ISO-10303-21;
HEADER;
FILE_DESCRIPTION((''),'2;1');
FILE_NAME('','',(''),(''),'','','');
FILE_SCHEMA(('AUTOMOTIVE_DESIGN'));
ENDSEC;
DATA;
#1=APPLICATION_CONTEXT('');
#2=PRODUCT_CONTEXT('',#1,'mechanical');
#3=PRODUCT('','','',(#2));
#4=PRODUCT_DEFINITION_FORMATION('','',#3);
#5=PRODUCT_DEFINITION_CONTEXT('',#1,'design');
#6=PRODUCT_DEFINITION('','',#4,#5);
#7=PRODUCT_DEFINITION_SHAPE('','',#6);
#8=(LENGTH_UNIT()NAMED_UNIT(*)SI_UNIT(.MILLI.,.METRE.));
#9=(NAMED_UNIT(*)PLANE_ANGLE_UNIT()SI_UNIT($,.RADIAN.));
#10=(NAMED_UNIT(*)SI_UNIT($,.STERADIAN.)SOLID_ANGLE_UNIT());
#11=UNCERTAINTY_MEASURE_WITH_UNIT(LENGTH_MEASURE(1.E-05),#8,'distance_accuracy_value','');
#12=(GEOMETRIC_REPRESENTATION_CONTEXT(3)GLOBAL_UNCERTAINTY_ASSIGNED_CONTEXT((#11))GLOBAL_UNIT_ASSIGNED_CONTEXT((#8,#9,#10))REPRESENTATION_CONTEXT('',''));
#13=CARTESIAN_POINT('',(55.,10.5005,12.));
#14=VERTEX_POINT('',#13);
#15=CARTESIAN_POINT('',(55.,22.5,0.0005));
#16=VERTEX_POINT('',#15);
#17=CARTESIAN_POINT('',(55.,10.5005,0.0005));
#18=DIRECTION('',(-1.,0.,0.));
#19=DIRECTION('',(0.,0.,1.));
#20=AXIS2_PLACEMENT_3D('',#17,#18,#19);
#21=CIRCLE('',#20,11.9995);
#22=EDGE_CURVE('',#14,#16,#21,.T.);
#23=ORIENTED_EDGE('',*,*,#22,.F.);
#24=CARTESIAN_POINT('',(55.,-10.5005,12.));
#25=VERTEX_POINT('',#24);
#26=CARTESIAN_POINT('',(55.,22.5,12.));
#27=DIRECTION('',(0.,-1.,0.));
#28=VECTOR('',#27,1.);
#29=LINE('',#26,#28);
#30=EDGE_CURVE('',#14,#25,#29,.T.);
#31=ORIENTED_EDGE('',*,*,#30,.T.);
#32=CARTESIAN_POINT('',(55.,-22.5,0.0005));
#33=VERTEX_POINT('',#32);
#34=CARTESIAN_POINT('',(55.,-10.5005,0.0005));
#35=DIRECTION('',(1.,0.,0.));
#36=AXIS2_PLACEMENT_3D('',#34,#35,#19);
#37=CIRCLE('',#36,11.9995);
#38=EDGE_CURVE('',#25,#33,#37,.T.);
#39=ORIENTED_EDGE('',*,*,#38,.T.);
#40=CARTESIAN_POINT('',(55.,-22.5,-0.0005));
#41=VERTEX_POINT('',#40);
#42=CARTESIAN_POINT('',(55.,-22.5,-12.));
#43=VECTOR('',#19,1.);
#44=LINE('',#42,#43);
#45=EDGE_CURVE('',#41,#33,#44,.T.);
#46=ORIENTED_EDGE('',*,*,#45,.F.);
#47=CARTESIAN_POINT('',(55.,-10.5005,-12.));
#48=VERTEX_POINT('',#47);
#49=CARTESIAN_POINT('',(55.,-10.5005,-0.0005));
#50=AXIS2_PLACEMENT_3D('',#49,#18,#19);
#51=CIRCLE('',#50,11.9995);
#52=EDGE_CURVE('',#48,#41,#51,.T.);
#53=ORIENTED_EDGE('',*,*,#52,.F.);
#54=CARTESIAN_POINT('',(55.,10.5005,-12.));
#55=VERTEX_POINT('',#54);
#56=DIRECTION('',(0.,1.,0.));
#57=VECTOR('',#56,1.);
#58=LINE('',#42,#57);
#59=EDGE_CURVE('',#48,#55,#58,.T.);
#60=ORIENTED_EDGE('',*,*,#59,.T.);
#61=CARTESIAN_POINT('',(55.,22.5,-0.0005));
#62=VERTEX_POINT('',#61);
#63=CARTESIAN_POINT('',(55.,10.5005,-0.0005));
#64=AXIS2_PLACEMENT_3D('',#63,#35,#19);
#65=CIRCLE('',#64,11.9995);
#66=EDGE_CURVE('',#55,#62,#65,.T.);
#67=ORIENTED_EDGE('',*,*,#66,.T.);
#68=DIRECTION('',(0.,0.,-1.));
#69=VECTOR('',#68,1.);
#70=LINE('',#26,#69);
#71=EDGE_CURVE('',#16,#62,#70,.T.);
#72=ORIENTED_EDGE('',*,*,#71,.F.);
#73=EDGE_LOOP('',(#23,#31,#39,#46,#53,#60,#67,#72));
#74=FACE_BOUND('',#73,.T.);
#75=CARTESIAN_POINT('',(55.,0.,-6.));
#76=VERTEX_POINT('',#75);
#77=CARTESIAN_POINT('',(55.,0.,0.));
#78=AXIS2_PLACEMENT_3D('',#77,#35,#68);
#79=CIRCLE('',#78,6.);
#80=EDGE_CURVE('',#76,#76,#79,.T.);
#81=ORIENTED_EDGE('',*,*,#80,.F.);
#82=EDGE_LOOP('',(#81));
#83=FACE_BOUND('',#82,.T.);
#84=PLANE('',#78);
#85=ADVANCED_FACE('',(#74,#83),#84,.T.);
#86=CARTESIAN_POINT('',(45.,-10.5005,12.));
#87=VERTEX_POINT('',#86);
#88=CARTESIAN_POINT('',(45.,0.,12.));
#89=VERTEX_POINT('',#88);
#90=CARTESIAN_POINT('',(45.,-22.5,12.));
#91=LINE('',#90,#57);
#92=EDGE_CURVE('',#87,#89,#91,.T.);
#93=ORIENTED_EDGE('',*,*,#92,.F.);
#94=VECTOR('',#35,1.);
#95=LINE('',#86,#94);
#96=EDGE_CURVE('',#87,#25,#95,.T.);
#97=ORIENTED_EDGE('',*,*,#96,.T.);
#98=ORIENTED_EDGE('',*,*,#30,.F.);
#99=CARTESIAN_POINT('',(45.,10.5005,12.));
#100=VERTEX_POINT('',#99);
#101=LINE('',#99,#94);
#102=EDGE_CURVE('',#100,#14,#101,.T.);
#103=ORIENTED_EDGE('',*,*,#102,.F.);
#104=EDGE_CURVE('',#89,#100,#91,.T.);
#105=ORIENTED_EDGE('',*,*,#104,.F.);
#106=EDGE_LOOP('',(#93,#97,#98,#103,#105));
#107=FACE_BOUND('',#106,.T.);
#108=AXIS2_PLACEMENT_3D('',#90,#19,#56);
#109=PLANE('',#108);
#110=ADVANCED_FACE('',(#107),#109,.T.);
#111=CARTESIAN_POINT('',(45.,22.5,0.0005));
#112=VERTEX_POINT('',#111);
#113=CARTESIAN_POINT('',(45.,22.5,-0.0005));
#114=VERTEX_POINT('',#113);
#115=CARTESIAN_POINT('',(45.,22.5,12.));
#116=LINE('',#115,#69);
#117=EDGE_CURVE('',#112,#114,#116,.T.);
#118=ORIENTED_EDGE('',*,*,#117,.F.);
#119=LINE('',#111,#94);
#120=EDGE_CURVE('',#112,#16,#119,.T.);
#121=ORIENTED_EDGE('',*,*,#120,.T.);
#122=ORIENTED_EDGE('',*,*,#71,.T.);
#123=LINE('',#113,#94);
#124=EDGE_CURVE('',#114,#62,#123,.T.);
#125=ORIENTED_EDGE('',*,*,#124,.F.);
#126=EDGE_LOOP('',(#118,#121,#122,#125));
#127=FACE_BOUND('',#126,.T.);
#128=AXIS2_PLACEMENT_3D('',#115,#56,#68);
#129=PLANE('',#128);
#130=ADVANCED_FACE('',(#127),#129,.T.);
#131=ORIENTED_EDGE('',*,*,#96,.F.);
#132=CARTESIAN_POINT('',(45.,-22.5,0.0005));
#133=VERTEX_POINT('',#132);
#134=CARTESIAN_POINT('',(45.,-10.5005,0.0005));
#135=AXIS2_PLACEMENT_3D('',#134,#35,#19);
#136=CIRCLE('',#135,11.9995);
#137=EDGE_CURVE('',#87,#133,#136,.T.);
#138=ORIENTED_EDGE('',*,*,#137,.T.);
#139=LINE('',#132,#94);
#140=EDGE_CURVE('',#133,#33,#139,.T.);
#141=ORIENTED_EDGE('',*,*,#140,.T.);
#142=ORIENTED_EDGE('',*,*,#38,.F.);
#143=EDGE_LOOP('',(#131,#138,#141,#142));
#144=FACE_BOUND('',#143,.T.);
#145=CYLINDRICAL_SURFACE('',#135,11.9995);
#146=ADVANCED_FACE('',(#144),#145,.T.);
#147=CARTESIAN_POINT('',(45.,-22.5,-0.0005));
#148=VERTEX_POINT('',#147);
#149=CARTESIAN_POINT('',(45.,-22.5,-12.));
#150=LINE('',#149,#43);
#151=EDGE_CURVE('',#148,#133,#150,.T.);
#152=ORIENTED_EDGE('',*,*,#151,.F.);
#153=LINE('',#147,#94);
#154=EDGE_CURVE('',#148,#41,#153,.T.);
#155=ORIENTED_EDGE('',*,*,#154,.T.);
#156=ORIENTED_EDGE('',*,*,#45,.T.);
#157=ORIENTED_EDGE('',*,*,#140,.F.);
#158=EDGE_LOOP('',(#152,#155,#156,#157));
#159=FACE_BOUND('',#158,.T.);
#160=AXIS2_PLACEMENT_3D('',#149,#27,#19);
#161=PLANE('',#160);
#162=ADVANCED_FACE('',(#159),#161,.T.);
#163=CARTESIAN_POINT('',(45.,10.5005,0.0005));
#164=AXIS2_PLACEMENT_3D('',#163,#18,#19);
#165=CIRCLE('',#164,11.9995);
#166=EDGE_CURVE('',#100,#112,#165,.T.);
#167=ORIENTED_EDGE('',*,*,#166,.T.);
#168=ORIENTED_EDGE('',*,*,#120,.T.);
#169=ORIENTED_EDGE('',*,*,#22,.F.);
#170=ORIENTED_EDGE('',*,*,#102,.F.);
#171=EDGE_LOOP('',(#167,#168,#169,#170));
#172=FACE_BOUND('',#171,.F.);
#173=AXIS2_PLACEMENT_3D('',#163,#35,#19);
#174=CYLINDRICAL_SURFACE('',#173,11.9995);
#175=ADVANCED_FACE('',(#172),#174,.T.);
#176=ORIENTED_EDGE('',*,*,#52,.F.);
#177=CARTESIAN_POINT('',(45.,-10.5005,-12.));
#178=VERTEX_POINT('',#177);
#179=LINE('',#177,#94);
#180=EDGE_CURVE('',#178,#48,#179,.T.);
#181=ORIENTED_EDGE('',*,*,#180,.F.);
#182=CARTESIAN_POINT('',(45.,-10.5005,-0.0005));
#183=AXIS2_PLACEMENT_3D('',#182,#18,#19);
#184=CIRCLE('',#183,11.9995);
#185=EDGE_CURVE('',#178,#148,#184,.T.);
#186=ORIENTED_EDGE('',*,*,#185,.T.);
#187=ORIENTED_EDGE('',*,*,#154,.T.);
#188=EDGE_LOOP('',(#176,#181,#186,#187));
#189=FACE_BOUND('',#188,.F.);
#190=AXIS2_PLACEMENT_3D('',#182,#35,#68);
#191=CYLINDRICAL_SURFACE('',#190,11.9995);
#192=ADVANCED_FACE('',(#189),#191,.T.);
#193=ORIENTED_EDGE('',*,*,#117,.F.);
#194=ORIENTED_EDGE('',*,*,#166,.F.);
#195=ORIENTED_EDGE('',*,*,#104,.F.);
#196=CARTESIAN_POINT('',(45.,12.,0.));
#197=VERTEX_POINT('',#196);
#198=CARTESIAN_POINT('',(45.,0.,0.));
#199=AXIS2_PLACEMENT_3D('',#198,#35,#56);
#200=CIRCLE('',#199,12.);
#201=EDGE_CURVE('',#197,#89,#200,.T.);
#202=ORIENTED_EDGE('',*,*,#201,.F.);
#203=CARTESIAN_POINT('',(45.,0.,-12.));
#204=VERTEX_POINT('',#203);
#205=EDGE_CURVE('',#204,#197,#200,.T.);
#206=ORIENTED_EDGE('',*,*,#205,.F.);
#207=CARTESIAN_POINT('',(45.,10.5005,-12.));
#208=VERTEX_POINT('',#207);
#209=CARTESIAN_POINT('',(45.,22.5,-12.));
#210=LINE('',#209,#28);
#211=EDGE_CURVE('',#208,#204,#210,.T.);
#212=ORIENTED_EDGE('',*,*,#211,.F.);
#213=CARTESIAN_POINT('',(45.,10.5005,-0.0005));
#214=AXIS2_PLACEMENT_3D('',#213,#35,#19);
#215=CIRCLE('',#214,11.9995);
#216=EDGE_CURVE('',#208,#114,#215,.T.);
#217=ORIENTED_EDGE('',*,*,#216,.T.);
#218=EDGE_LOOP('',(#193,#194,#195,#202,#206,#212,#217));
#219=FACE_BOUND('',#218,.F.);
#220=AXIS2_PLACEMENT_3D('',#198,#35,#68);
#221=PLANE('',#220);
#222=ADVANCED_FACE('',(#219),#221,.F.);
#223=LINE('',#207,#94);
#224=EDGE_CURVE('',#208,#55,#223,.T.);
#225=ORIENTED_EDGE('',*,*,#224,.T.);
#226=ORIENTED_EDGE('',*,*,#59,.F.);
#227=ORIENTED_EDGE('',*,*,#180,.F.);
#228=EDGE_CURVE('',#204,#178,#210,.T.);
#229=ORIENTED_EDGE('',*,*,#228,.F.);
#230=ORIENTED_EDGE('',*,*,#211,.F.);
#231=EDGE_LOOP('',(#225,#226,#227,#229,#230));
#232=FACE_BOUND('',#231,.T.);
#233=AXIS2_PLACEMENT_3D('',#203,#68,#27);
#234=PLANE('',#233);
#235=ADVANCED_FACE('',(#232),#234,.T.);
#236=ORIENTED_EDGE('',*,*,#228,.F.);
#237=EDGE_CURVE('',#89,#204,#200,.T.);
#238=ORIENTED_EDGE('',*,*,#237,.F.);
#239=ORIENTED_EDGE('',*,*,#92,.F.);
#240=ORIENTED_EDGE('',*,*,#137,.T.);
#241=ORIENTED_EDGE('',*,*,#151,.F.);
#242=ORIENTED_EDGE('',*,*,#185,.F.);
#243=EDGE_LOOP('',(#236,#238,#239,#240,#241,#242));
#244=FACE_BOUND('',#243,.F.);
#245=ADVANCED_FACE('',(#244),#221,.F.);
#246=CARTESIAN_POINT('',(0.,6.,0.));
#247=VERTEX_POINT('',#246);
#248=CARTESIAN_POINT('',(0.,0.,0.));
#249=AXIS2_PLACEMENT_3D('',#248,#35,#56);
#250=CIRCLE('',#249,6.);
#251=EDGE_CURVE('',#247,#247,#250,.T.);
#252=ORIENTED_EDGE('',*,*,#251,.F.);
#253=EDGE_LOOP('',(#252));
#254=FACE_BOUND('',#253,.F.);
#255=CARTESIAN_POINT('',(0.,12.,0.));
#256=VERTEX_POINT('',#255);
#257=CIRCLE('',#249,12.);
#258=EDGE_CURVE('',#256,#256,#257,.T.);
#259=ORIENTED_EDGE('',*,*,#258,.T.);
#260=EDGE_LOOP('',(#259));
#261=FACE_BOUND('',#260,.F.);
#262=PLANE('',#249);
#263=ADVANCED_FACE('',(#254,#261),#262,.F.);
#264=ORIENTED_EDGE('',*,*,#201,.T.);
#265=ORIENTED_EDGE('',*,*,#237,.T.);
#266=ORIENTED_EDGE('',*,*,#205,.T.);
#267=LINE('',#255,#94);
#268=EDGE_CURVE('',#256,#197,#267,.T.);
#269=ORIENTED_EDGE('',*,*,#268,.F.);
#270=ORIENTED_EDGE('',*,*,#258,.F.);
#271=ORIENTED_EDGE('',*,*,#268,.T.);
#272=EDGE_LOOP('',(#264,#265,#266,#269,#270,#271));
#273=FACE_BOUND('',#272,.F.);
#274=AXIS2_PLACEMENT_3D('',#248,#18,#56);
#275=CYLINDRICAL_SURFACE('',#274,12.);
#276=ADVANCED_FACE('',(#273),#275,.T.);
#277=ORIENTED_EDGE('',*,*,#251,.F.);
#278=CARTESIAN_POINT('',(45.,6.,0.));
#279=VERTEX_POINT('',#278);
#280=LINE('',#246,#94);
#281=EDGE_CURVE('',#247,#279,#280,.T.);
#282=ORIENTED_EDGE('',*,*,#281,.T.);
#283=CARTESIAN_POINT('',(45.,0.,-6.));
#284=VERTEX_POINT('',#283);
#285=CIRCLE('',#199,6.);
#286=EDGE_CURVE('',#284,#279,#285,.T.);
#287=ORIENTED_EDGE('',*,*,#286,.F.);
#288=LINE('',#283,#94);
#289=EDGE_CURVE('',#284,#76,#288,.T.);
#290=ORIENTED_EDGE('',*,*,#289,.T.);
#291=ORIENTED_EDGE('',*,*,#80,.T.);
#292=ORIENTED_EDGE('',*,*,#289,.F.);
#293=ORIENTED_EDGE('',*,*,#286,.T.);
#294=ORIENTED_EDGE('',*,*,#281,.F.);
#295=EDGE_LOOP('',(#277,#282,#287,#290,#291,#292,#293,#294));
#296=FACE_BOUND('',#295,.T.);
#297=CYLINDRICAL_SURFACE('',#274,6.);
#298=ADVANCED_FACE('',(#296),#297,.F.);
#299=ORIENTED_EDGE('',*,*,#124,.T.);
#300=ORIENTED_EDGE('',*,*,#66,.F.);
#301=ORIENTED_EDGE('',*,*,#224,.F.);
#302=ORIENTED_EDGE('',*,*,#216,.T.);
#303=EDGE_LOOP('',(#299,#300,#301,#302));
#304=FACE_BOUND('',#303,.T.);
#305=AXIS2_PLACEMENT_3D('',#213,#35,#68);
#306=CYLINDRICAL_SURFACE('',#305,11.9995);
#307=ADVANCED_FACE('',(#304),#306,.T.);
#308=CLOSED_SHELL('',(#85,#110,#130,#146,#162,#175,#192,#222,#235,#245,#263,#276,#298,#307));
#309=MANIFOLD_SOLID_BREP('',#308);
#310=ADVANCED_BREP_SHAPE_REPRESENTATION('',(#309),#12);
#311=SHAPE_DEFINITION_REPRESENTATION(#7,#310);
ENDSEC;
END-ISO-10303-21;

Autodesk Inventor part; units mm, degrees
ref_plane "YZ Plane" through (0, 0, 0) normal (1, 0, 0) x (0, 1, 0)
ref_plane "XZ Plane" through (0, 0, 0) normal (0, 1, 0) x (-1, 0, 0)
ref_plane "XY Plane" through (0, 0, 0) normal (0, 0, 1) x (1, 0, 0)
sketch "Sketch1" plane through (0, 0, 0) normal (1, 0, 0) x (0, 1, 0)
  circle A0 centre (0, 0) radius 6
  circle A1 centre (0, 0) radius 12
  dimension "d0" = 12
  dimension "d1" = 24
extrude "Extrusion1" add sketch "Sketch1" along normal blind 45
sketch "Sketch2" plane through (45, 0, 0) normal (1, 0, 0) x (0, 0, -1)
  circle A0 centre (0, 0) radius 6 projected
  circle A1 centre (0, 0) radius 12 projected
  line L0 (12, -22.5) -> (-12, -22.5)
  line L1 (-12, -22.5) -> (-12, 22.5)
  line L2 (-12, 22.5) -> (12, 22.5)
  line L3 (12, 22.5) -> (12, -22.5)
  line L4 (0, 0) -> (3.4418, 0)
  point P0 (12, 0)
  dimension "d4" = 45
extrude "Extrusion2" add sketch "Sketch2" along normal blind 10
fillet "Fillet1" radius 12 4 edges at (50, -22.5, -12) (50, -22.5, 12) (50, 22.5, -12) (50, 22.5, 12)
thread "Thread1" size "M12x1.75" class "6H" standard "ANSI Metric M Profile" full length
properties part number "Rotator" material "Steel, Alloy"
